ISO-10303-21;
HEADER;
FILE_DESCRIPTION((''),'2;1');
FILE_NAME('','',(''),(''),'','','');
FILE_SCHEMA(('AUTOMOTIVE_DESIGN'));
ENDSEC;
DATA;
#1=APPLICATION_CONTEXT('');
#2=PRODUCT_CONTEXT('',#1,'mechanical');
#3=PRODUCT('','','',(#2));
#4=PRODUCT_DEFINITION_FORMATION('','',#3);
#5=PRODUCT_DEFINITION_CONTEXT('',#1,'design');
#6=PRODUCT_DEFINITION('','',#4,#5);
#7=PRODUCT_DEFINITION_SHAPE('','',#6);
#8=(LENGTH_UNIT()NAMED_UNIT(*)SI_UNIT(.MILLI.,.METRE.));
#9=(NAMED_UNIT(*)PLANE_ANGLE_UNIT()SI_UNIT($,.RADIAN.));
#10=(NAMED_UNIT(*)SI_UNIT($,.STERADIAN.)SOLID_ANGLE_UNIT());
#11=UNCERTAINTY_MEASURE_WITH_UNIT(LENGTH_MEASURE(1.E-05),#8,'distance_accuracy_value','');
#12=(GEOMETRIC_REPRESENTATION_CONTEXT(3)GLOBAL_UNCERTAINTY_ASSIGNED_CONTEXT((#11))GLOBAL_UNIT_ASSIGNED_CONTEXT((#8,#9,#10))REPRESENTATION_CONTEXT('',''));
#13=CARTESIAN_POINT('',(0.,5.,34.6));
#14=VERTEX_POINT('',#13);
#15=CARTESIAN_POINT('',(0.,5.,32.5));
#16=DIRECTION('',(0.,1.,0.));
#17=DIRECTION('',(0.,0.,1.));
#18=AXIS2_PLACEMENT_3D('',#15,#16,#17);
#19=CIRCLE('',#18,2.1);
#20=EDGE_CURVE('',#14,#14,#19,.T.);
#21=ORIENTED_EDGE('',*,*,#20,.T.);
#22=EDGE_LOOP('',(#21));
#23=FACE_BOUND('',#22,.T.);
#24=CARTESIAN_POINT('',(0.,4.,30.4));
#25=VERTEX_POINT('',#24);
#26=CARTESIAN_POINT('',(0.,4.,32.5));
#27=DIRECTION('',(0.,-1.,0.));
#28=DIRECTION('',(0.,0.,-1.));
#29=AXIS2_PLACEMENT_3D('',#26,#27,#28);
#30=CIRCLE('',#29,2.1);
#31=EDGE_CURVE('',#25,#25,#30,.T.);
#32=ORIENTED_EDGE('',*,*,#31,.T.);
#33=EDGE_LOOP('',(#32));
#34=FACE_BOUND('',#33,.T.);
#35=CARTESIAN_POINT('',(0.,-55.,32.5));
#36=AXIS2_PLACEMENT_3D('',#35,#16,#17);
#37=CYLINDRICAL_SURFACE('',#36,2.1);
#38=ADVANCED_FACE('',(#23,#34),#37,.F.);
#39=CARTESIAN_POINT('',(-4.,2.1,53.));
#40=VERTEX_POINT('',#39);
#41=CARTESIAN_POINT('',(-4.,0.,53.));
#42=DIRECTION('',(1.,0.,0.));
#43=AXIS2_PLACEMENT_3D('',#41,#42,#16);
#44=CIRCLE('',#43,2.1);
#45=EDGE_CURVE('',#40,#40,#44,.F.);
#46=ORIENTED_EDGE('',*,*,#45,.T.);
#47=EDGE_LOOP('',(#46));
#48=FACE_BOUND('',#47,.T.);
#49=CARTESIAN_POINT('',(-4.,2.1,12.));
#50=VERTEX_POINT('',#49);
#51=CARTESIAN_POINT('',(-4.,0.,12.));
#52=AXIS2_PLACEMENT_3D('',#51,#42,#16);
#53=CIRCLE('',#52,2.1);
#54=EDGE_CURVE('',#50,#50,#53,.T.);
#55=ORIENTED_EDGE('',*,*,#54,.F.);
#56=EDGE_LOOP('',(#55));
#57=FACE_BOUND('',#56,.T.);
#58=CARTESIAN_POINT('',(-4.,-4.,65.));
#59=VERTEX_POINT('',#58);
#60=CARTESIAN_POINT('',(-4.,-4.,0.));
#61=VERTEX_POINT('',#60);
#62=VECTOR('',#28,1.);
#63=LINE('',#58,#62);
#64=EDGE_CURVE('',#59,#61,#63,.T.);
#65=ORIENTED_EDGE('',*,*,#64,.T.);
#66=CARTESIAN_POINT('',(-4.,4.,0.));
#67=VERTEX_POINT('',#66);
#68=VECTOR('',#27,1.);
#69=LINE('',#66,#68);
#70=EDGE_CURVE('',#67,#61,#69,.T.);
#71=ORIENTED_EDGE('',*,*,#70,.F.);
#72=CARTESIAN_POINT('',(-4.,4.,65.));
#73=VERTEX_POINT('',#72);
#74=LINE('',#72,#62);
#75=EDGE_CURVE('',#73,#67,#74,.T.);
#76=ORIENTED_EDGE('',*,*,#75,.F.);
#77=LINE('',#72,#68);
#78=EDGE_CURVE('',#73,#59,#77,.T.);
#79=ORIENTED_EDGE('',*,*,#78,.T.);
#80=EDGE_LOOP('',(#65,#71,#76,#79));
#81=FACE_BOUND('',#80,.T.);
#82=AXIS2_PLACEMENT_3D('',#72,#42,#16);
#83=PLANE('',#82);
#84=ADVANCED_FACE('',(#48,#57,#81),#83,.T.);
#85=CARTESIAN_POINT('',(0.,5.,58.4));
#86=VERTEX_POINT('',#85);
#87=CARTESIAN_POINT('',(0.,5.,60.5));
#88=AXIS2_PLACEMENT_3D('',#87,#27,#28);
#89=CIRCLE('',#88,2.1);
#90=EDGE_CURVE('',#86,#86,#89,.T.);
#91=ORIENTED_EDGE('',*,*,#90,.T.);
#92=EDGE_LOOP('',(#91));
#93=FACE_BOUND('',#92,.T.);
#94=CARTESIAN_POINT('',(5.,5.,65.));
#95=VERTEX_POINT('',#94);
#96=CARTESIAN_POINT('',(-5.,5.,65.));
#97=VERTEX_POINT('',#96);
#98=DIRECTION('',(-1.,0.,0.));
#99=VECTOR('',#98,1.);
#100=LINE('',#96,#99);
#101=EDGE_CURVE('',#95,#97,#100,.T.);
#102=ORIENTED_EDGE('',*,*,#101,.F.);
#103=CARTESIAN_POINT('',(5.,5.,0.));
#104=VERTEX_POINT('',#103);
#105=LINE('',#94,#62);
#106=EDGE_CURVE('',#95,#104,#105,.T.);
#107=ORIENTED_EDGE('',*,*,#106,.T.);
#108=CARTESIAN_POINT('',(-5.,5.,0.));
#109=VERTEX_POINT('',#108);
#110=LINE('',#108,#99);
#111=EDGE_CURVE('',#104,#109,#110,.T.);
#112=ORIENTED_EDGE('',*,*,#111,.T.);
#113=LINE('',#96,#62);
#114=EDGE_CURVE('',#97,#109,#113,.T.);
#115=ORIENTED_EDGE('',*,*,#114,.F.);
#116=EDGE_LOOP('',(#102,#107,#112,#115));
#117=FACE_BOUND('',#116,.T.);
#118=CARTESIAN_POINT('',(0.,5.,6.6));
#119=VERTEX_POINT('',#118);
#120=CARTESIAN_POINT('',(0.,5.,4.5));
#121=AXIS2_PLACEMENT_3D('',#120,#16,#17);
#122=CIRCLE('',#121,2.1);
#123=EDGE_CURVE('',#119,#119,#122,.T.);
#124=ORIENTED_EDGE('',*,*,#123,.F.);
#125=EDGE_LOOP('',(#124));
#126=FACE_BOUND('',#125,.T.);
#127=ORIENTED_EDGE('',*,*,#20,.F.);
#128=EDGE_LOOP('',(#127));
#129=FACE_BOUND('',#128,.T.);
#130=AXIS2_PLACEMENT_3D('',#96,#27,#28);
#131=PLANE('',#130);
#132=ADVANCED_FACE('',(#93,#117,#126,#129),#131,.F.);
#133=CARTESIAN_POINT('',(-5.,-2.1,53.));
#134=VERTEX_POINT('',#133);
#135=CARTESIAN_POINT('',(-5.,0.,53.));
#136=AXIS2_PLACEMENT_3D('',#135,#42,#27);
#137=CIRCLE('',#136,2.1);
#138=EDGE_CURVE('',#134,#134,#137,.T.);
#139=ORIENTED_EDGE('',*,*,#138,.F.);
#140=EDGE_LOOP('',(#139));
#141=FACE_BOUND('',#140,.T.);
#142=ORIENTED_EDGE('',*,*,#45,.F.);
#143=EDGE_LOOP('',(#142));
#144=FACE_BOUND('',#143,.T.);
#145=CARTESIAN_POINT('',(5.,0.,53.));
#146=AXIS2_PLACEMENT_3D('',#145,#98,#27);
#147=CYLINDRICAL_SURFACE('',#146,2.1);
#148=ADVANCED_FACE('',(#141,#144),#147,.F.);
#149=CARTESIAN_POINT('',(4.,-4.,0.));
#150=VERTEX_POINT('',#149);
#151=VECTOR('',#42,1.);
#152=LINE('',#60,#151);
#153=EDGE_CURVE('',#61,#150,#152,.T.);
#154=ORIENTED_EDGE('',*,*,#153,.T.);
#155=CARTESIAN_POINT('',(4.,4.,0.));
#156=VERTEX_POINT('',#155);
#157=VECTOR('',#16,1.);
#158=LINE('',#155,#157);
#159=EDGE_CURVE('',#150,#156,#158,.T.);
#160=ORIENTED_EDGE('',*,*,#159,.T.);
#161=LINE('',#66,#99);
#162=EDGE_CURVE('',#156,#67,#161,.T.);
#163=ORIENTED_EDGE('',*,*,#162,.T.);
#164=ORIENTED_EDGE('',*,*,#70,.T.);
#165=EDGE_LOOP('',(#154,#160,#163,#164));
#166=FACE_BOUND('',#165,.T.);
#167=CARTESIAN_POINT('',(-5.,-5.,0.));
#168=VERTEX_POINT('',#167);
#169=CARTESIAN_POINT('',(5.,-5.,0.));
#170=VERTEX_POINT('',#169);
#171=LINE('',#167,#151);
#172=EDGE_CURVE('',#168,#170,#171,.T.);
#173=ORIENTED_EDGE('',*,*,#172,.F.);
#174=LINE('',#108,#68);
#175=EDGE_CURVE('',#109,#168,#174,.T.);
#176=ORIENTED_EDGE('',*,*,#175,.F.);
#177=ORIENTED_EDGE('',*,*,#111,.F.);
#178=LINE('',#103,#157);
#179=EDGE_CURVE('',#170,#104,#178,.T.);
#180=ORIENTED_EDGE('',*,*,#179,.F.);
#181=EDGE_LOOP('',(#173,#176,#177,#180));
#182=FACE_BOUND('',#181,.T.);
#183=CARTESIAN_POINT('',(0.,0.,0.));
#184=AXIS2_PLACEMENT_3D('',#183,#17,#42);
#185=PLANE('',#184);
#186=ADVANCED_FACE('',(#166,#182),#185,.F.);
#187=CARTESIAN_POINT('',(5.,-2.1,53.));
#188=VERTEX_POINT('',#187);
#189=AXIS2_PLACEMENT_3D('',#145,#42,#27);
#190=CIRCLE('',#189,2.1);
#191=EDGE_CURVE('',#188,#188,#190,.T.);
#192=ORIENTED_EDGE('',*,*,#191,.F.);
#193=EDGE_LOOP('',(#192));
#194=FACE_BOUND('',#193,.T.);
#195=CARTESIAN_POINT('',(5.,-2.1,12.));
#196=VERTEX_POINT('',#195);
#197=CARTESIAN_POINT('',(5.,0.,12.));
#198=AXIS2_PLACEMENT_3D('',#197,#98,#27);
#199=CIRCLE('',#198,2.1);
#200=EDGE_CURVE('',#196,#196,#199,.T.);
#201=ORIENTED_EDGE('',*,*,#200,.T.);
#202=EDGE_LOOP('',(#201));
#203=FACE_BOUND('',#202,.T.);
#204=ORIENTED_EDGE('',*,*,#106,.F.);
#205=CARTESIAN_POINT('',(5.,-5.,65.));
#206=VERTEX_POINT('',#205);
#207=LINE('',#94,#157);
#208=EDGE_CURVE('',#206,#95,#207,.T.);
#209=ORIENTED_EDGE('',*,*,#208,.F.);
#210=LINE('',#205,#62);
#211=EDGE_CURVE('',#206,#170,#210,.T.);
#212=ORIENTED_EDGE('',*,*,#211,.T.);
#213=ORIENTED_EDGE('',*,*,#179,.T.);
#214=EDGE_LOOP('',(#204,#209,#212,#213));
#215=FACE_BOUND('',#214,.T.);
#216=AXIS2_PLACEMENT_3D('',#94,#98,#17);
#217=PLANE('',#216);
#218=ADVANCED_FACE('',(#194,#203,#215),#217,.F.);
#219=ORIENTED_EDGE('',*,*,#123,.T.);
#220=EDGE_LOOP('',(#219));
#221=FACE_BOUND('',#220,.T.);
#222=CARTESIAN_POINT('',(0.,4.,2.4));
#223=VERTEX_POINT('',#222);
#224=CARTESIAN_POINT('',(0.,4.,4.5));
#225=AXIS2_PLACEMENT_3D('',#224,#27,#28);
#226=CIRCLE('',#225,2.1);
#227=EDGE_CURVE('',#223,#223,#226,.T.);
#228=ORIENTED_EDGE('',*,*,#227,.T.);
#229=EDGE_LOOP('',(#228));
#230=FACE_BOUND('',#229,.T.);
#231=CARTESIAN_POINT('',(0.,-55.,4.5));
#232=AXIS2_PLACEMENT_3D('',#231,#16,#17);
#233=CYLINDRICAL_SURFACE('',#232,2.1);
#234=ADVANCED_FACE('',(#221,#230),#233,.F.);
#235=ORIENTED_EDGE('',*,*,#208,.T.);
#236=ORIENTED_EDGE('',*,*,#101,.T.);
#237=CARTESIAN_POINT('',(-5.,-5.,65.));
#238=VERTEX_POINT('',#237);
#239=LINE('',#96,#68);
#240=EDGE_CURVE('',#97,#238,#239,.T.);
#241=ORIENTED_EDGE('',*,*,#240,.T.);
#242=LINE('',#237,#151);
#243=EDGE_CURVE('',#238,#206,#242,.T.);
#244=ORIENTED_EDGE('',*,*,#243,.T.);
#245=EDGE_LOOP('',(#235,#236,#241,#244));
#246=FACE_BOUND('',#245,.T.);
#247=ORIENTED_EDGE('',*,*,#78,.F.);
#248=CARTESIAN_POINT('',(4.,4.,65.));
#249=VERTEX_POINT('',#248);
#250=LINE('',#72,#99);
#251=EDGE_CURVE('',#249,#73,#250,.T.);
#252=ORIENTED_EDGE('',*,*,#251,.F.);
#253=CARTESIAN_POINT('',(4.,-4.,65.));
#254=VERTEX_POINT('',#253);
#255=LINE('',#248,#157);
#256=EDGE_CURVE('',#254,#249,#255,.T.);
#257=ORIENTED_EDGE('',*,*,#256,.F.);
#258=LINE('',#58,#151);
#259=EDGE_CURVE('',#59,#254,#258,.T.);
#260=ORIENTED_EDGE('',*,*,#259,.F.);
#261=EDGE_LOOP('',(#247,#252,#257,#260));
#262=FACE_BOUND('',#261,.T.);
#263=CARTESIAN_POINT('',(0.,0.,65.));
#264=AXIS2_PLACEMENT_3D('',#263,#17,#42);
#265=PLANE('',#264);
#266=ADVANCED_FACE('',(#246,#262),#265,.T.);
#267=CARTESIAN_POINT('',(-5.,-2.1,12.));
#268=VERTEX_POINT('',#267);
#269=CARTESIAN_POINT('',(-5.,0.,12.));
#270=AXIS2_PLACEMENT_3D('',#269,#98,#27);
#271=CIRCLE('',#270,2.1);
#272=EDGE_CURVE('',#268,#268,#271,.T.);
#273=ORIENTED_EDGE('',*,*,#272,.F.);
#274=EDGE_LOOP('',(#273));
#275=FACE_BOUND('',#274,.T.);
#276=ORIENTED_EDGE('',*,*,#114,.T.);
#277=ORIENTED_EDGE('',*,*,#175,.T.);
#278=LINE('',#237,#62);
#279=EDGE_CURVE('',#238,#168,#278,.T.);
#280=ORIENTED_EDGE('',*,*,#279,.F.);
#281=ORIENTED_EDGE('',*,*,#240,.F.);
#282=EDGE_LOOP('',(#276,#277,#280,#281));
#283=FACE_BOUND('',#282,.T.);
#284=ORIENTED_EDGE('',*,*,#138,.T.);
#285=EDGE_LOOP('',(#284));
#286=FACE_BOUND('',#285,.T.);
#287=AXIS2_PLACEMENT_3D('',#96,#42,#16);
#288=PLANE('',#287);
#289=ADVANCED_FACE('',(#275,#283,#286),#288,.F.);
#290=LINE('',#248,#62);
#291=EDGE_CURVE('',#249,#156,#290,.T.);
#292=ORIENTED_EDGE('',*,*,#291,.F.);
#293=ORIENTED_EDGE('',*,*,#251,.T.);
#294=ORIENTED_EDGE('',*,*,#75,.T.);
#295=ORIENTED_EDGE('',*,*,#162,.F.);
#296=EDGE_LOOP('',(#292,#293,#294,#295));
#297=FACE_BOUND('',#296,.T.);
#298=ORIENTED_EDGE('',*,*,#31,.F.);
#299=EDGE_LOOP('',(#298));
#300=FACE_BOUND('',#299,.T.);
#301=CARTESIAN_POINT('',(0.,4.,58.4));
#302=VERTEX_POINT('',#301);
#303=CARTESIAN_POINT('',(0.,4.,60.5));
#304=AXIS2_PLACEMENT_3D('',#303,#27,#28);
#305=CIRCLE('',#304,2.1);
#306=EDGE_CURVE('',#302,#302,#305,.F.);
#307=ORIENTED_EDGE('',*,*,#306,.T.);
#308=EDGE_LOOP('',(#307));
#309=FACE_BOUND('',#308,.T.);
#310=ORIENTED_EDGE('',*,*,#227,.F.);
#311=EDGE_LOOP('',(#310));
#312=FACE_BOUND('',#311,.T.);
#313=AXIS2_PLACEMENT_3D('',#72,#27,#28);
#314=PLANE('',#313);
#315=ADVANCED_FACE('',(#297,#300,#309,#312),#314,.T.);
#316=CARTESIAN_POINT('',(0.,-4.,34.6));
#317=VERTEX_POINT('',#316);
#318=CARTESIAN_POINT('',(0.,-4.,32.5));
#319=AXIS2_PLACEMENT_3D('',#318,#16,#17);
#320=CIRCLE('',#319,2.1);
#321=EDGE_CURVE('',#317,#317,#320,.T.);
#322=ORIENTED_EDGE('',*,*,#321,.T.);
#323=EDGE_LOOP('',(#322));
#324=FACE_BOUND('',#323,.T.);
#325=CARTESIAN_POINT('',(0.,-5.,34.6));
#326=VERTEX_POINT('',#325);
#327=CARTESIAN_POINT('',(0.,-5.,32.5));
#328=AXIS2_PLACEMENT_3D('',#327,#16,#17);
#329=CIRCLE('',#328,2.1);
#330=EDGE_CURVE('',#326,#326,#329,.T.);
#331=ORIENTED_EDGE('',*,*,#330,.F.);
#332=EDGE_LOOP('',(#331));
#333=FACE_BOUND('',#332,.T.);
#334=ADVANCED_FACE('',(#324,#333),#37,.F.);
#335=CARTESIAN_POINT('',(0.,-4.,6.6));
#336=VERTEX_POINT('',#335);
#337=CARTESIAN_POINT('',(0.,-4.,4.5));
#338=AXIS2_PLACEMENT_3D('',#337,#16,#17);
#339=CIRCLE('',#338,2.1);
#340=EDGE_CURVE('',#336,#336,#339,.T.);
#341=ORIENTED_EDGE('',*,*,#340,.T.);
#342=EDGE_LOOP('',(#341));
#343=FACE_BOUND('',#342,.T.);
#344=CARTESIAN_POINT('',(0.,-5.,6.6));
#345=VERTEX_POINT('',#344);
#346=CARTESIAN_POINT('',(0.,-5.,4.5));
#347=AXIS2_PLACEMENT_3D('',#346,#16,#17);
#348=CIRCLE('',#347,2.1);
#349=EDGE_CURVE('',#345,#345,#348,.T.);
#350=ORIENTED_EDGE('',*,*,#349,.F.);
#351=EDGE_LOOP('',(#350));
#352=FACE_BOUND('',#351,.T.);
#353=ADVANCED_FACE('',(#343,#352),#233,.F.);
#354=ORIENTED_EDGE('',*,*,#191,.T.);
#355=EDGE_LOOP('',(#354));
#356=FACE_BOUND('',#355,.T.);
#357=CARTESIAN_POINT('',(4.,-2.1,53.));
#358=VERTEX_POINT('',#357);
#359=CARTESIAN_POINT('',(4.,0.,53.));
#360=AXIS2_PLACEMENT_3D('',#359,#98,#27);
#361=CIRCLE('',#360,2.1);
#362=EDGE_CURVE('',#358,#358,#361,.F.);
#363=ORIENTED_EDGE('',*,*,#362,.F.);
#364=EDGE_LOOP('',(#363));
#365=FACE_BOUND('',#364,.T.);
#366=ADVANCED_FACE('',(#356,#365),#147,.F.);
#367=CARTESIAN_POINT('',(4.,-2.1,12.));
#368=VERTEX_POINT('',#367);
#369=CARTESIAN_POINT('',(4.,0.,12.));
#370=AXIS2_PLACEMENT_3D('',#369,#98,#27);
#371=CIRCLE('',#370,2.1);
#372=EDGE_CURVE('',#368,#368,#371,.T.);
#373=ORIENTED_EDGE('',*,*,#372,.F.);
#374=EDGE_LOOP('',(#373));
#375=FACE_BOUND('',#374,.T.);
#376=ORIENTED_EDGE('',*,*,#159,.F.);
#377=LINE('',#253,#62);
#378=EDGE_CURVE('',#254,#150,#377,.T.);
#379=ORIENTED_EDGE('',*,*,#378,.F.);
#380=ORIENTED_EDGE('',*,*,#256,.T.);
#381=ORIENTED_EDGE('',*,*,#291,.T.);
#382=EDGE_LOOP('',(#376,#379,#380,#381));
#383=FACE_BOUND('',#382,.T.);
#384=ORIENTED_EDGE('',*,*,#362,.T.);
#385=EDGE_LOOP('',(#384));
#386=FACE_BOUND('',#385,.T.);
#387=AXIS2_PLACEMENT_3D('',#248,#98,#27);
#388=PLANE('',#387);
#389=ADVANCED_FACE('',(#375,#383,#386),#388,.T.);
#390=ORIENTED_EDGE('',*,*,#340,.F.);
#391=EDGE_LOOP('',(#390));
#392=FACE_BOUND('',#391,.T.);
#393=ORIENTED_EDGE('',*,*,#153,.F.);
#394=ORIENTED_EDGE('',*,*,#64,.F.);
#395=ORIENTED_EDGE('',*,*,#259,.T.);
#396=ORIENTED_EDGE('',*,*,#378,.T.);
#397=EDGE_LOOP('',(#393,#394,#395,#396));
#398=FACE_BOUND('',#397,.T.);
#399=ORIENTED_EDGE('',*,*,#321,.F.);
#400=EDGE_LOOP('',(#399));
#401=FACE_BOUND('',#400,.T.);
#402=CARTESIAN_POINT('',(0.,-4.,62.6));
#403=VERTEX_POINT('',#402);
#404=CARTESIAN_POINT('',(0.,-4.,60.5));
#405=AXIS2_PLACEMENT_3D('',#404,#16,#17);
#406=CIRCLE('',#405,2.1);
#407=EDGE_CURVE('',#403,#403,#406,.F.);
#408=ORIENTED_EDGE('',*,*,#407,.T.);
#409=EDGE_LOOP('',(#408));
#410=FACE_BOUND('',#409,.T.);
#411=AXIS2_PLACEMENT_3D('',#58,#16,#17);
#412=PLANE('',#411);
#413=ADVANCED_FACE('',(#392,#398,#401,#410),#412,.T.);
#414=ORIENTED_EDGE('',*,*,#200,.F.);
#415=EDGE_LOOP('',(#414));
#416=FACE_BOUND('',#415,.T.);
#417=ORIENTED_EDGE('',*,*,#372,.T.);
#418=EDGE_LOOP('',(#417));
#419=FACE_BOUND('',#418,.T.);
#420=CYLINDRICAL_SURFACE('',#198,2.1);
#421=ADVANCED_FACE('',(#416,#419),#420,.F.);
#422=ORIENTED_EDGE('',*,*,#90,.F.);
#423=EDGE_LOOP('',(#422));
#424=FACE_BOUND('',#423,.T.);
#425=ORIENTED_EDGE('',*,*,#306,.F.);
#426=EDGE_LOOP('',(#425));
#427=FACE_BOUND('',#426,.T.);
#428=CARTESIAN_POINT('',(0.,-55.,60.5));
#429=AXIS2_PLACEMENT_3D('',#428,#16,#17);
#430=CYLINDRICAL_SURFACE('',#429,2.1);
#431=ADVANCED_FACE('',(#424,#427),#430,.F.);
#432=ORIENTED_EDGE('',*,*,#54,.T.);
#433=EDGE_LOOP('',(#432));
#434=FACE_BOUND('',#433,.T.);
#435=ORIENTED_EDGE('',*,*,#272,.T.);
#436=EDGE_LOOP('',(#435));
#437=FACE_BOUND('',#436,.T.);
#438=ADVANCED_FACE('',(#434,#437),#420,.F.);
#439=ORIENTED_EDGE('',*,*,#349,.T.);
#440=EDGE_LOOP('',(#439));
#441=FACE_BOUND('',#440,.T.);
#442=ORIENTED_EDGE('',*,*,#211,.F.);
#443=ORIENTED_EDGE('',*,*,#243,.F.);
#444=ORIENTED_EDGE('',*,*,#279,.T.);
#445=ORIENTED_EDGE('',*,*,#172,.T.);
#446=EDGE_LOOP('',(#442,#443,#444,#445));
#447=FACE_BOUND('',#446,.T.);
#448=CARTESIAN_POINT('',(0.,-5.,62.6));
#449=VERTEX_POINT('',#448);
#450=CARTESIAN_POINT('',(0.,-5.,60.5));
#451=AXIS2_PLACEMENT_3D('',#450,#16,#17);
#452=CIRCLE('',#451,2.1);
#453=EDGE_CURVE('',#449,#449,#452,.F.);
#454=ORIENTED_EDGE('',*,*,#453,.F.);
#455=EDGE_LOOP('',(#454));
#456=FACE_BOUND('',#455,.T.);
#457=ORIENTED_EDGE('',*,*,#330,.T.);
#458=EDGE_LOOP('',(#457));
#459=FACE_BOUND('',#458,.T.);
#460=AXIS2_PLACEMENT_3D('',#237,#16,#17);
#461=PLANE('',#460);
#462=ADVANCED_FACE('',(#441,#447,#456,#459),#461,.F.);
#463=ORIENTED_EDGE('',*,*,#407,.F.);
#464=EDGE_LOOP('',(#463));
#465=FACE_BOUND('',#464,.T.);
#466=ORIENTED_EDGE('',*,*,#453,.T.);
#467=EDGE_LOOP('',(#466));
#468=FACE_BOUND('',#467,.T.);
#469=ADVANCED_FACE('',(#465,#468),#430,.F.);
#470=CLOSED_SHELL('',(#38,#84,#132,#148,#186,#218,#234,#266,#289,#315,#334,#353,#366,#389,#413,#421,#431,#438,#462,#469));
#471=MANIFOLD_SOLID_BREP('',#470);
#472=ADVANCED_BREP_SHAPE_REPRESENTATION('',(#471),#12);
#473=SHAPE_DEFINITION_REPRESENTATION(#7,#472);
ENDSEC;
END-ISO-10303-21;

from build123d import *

# Parameters (mm, degrees)
SKETCH_1_W          = 10
SKETCH_1_H          = 10
SKETCH_1_W_2        = 8
SKETCH_1_H_2        = 8
EXTRUDE_1_DEPTH     = 65
SKETCH_2_R          = 2.1
CUT_EXTRUDE_1_DEPTH = 60
SKETCH_3_R          = 2.1
CUT_EXTRUDE_2_DEPTH = 66.954529791


with BuildPart() as part:
    # 草图1 → 凸台-拉伸1 (new body)
    with BuildSketch(Plane.XY):
        Rectangle(SKETCH_1_W, SKETCH_1_H)
        Rectangle(SKETCH_1_W_2, SKETCH_1_H_2, mode=Mode.SUBTRACT)
    extrude(amount=EXTRUDE_1_DEPTH)

    # 草图2 → 切除-拉伸1 (cut)
    with BuildSketch(Plane(origin=(0, 5, 0), x_dir=(1, 0, 0), z_dir=(0, 1, 0))):
        with Locations(Location((0, -4.5, 0), (0, 0, 270))):
            Circle(SKETCH_2_R)
        with Locations(Location((0, -32.5, 0), (0, 0, 270))):
            Circle(SKETCH_2_R)
    cut_extrude_1 = extrude(amount=-CUT_EXTRUDE_1_DEPTH, mode=Mode.SUBTRACT)

    # 镜向1: 切除-拉伸1 across plane
    add(cut_extrude_1.mirror(Plane(origin=(0, 0, 32.5), x_dir=(1, 0, 0), z_dir=(0, 0, -1))), mode=Mode.SUBTRACT)

    # 草图3 → 切除-拉伸2 (cut, through all)
    with BuildSketch(Plane.ZY.offset(5)):
        with Locations(Location((12, 0, 0), (0, 0, 270))):
            Circle(SKETCH_3_R)
    cut_extrude_2 = extrude(amount=-CUT_EXTRUDE_2_DEPTH, mode=Mode.SUBTRACT)

    # 镜向2: 切除-拉伸2 across plane
    add(cut_extrude_2.mirror(Plane(origin=(0, 0, 32.5), x_dir=(1, 0, 0), z_dir=(0, 0, -1))), mode=Mode.SUBTRACT)


solid = part.part
